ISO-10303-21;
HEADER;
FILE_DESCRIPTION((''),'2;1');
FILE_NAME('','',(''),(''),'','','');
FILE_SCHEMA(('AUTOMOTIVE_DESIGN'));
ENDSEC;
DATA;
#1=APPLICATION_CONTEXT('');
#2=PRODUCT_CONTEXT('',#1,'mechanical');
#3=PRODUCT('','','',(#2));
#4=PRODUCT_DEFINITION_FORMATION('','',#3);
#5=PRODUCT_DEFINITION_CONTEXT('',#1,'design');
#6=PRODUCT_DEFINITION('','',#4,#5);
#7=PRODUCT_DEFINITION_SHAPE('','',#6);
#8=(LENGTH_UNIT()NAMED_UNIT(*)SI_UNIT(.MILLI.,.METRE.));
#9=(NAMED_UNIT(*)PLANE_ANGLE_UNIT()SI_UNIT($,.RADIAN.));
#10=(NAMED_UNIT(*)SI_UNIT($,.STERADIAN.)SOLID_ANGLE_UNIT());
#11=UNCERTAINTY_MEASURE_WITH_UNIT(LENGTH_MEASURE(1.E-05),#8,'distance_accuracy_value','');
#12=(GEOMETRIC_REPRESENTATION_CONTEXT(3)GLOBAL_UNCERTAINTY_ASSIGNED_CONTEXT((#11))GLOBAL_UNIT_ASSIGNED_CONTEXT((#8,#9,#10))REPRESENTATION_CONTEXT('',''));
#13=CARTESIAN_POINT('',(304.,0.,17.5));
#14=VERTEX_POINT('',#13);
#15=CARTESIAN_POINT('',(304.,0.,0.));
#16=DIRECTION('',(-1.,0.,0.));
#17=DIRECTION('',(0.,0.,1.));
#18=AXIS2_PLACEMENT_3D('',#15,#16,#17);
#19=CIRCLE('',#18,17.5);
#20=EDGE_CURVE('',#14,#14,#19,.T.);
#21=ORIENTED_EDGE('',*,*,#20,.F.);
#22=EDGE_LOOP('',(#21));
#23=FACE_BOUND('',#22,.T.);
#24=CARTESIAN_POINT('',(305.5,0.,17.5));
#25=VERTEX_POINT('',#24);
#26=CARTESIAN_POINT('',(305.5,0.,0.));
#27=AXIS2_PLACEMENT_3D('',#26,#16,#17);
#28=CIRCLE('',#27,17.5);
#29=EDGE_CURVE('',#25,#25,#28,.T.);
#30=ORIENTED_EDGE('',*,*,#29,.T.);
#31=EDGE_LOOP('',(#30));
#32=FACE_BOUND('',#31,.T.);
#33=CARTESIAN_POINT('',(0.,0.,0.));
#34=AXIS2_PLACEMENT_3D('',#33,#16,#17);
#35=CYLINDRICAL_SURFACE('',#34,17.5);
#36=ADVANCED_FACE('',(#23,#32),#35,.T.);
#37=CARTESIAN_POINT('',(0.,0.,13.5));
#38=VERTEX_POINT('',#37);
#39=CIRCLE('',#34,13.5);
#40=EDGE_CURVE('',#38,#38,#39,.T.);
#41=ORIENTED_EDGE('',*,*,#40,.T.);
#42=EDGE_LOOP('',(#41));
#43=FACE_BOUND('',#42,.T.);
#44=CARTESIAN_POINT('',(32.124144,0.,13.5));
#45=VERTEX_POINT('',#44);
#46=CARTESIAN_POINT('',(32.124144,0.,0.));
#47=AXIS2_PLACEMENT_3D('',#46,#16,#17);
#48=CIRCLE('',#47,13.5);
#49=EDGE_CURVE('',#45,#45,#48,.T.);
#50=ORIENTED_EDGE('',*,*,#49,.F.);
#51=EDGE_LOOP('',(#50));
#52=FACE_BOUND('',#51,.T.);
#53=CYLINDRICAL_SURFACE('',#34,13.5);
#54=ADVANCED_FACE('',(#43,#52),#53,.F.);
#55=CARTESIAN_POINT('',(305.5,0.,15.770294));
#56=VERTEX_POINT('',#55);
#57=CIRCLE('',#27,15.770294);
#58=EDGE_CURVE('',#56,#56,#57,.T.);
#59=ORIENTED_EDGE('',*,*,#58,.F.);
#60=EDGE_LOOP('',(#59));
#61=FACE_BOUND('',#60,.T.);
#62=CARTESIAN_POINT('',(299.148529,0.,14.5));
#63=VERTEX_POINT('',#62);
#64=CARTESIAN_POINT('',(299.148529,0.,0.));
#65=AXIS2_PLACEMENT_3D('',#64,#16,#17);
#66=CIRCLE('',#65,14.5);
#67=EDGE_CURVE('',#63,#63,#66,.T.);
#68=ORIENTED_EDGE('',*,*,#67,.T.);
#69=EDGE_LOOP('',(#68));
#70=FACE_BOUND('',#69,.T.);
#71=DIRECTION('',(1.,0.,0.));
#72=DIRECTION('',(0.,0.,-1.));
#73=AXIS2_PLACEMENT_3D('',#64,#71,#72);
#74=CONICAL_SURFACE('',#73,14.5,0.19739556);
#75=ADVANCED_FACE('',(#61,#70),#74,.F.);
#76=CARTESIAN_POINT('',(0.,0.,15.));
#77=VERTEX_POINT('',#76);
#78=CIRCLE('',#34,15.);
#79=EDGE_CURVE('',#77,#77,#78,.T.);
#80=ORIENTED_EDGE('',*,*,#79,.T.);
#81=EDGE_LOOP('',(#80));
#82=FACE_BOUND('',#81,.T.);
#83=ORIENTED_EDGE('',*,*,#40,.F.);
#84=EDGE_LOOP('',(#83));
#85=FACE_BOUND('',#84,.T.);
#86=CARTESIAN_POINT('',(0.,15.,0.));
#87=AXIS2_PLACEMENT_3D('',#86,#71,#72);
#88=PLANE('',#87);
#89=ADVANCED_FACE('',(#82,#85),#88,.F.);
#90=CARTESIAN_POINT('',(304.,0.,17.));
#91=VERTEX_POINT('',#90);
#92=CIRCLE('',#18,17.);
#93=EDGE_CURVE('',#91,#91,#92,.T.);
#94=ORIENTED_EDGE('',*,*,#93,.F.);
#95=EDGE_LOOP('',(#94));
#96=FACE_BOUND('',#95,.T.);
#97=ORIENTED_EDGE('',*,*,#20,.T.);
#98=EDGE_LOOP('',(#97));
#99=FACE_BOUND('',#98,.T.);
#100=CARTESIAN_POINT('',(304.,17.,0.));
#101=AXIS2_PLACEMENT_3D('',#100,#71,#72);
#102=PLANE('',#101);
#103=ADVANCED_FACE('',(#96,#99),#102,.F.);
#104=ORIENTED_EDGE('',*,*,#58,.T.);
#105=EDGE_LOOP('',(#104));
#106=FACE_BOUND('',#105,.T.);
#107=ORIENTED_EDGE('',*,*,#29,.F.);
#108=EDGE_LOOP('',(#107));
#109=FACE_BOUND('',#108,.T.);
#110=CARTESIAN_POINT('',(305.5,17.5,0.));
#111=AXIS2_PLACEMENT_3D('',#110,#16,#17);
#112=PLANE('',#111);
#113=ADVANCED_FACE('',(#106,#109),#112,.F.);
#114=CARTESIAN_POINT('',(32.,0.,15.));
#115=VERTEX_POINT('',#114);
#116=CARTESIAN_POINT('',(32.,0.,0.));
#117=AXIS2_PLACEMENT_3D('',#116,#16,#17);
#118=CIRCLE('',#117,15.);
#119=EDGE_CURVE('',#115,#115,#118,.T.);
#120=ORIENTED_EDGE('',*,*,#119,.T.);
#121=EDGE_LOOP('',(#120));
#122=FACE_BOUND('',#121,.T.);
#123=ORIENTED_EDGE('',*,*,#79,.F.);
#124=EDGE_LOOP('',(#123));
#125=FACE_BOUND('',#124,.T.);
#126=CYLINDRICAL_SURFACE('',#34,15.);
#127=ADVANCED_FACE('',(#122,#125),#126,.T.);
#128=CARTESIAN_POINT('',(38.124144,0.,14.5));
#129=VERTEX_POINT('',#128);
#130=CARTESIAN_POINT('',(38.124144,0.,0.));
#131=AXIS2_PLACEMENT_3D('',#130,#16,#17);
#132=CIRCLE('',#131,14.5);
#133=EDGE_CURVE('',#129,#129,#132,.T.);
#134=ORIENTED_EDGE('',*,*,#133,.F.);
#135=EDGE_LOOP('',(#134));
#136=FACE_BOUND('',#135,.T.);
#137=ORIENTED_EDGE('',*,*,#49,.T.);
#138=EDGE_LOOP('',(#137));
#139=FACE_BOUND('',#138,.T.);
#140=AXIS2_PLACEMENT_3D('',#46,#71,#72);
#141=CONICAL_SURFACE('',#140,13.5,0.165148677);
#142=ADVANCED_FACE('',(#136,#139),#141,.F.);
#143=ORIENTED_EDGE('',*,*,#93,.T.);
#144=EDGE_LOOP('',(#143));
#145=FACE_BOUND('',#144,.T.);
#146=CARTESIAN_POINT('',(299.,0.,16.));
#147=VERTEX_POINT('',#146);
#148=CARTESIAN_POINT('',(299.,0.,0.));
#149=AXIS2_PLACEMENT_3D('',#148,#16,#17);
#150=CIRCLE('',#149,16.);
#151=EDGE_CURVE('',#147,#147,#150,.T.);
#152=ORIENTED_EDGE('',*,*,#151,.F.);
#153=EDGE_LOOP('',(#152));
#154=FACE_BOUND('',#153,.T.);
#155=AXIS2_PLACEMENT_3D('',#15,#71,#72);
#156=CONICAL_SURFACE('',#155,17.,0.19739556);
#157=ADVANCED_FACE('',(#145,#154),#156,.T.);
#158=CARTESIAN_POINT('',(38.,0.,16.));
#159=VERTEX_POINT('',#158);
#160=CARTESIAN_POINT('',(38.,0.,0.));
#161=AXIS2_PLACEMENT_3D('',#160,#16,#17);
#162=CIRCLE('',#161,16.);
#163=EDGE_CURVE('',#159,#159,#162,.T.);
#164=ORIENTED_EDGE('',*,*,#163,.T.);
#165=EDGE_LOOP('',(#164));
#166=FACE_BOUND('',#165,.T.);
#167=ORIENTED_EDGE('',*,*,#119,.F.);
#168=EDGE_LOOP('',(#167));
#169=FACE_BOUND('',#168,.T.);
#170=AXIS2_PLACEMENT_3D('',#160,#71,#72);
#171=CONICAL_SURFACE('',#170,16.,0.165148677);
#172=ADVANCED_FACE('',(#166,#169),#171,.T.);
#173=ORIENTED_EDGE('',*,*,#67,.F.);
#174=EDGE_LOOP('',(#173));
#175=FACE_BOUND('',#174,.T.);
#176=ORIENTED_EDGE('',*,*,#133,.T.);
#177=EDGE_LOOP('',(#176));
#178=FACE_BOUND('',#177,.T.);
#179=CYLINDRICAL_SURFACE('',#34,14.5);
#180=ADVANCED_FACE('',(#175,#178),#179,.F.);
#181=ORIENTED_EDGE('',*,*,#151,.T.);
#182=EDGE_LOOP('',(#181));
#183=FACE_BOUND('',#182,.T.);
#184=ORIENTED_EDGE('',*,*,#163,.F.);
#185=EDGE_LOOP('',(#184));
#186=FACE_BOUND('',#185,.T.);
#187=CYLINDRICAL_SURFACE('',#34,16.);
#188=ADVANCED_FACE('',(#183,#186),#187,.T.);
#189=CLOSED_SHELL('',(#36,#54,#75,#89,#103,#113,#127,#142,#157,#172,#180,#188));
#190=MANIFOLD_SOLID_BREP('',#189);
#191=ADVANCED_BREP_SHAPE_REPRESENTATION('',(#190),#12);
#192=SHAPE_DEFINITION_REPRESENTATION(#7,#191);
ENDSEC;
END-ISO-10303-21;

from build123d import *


with BuildPart() as part:
    # Esquisse1 → Base-Révolution (revolve)
    with BuildSketch(Plane.XY, mode=Mode.PRIVATE) as base_r_volution_sk:
        Polygon((0, 15), (32, 15), (38, 16), (299, 16), (304, 17), (304, 17.5), (305.5, 17.5), (305.5, 15.770294146), (299.14852927, 14.5), (38.124143795, 14.5), (32.124143795, 13.5), (0, 13.5), align=None)
    revolve(base_r_volution_sk.sketch.rotate(Axis((0, 0, 0), (1, 0, 0)), 90), axis=Axis((0, 0, 0), (1, 0, 0)))


solid = part.part
